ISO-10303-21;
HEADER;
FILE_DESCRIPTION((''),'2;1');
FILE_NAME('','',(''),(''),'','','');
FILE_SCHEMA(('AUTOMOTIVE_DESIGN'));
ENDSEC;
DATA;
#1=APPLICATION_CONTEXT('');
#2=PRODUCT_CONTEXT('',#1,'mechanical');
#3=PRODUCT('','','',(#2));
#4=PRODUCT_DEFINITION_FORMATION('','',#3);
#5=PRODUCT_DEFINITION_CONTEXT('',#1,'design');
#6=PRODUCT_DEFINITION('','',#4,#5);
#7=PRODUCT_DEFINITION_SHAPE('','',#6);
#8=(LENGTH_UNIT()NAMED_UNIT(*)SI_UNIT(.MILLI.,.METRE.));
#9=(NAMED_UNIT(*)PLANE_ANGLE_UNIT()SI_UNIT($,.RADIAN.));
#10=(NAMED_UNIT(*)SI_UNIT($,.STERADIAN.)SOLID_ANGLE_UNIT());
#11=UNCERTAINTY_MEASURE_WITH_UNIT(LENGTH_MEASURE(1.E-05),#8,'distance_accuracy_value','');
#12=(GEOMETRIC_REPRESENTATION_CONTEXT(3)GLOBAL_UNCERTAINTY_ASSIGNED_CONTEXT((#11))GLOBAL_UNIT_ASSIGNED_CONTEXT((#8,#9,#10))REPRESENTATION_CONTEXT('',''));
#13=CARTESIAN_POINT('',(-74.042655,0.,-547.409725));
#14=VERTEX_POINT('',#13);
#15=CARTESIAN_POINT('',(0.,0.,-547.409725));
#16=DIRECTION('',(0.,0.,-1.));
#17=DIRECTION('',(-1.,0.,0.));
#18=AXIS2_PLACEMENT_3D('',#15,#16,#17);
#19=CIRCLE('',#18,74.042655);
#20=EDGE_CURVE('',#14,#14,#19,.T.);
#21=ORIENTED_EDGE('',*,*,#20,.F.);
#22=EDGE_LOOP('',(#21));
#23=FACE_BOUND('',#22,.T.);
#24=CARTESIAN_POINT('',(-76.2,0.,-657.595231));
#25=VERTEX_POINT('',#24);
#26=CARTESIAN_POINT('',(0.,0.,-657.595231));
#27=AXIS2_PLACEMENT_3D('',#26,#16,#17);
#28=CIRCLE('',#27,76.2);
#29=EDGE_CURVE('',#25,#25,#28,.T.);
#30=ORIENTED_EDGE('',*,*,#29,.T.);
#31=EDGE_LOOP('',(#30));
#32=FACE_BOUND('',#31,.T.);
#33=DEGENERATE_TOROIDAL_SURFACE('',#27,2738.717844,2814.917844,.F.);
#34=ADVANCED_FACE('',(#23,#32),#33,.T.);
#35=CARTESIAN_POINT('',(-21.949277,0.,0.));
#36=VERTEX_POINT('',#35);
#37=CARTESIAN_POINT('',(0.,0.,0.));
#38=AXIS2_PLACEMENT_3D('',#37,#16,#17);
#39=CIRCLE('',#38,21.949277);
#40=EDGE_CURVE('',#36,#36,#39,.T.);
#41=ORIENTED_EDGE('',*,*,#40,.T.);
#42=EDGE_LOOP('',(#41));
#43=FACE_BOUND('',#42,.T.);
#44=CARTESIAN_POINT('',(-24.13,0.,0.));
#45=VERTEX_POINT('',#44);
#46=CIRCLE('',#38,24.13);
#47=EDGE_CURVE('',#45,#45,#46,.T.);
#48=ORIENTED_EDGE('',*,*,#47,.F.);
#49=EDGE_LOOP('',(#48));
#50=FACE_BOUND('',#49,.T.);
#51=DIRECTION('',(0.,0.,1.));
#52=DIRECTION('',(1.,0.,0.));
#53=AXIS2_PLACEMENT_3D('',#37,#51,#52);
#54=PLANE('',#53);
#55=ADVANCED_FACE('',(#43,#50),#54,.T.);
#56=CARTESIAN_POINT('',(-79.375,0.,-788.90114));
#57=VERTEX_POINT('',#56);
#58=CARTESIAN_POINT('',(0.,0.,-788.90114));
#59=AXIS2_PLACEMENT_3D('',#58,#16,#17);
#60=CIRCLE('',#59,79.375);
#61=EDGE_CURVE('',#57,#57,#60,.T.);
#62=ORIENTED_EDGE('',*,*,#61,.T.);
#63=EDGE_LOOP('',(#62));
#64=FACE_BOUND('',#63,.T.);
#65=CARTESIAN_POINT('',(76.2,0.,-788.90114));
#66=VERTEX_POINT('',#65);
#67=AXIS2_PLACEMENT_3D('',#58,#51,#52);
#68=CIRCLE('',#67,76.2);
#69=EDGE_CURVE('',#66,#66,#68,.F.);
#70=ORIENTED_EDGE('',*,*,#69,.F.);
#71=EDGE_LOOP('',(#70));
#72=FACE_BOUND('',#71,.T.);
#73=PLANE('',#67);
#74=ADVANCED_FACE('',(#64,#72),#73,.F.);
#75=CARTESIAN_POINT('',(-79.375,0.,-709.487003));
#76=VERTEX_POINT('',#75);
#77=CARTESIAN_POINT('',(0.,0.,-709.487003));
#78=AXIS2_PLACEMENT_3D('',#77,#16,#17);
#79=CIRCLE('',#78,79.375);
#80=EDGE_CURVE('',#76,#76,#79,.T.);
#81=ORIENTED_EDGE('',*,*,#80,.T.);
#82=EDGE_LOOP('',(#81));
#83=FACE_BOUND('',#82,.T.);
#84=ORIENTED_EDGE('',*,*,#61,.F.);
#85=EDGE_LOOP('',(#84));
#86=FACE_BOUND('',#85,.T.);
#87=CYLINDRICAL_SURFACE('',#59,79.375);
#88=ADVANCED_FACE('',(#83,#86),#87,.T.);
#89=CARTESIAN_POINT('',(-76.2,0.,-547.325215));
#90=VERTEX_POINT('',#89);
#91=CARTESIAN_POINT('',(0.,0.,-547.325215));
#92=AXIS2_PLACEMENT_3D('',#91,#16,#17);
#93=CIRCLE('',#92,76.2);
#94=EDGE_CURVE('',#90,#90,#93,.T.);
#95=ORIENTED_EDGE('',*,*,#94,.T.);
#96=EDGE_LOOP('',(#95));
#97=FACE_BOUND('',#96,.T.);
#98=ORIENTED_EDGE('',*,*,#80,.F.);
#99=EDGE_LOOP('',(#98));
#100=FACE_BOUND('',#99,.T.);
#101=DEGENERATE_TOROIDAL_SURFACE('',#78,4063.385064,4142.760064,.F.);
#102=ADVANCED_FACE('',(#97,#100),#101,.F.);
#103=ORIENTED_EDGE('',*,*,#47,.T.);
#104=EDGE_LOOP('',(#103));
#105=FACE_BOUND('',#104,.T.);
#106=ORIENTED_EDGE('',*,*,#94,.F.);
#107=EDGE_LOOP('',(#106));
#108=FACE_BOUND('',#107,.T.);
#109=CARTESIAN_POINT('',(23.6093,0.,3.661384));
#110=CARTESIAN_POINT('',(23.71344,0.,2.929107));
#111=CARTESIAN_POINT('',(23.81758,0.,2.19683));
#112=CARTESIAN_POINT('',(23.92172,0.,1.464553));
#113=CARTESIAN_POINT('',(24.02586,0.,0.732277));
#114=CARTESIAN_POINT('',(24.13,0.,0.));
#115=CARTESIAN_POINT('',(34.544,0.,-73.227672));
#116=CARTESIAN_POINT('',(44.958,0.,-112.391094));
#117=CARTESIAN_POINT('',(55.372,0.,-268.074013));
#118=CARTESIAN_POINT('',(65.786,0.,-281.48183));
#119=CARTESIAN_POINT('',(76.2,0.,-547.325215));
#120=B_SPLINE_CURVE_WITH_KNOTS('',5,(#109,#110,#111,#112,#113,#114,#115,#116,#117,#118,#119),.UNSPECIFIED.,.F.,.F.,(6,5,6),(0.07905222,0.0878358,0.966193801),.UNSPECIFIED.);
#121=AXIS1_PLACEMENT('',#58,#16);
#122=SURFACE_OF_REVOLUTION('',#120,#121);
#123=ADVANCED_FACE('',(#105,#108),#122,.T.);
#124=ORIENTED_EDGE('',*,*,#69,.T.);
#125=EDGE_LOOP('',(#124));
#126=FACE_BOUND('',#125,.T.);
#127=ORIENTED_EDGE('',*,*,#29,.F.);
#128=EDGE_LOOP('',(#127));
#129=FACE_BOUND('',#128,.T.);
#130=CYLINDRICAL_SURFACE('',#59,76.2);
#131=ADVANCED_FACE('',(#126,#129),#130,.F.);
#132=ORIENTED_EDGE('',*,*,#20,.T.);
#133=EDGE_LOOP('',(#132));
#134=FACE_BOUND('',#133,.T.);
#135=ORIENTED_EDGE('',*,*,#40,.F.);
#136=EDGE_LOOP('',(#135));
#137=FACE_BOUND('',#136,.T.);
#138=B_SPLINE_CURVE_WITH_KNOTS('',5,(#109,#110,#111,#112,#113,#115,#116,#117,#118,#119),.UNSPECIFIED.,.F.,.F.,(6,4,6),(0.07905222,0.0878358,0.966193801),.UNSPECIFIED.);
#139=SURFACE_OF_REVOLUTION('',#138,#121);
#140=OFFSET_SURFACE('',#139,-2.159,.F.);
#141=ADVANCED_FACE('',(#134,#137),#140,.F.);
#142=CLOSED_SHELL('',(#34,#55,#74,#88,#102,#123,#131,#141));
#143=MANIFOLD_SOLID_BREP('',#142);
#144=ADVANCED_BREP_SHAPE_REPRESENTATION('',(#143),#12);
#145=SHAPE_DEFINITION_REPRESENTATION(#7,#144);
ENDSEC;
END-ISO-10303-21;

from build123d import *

# Parameters (mm, degrees)
SHELL1_T = -2.159


with BuildPart() as part:
    # Sketch1 → Revolve1 (revolve)
    with BuildSketch(Plane(origin=(0, 0, 0), x_dir=(1, 0, 0), z_dir=(0, 1, 0)), mode=Mode.PRIVATE) as revolve1_sk:
        with BuildLine():
            ThreePointArc((76.199999999, 547.325214574), (77.819198282, 602.449655946), (78.359, 657.595231051))
            Line((78.359, 657.595231051), (78.359, 788.90114))
            Line((78.359, 788.90114), (0, 788.90114))
            Line((0, 788.90114), (0, 64.584297407))
            Line((0, 64.584297407), (31.75, 64.584297407))
            Line((31.75, 64.584297407), (33.885466684, 64.266393269))
            add(Edge.make_bspline(
                [(33.885466684, 64.266393269), (42.348373346, 121.114521501), (50.811280009, 187.507732985), (59.274186672, 281.958770773), (67.737093334, 331.288364803), (76.199999999, 547.325214574)],
                knots=[0.252398739, 0.252398739, 0.252398739, 0.252398739, 0.252398739, 0.252398739, 0.966193801, 0.966193801, 0.966193801, 0.966193801, 0.966193801, 0.966193801], degree=5))
        make_face()
        with BuildLine():
            add(Edge.make_bspline(
                [(24.130000001, 1e-09), (26.081093337, 13.719418368), (28.032186674, 26.243143495), (29.983280011, 38.561458819), (31.934373347, 51.160257443), (33.885466684, 64.266393269)],
                knots=[0.0878358, 0.0878358, 0.0878358, 0.0878358, 0.0878358, 0.0878358, 0.252398739, 0.252398739, 0.252398739, 0.252398739, 0.252398739, 0.252398739], degree=5))
            Line((33.885466684, 64.266393269), (31.75, 64.584297407))
            Line((31.75, 64.584297407), (0, 64.584297407))
            Line((0, 64.584297407), (0, 0))
            Line((0, 0), (24.13, 0))
        make_face()
    revolve(revolve1_sk.sketch.rotate(Axis((0, 0, -788.90114), (0, 0, 1)), 180), axis=Axis((0, 0, -788.90114), (0, 0, 1)))

    # Shell1
    shell1_openings = [part.faces().sort_by_distance(p)[0] for p in [
        (0, 0, -788.90114),
        (0, 0, 0),
    ]]
    offset(amount=SHELL1_T, openings=shell1_openings, kind=Kind.INTERSECTION)

    # Sketch2 → Revolve2 (revolve)
    with BuildSketch(Plane(origin=(0, 0, 0), x_dir=(1, 0, 0), z_dir=(0, 1, 0)), mode=Mode.PRIVATE) as revolve2_sk:
        with BuildLine():
            ThreePointArc((76.199999999, 547.325214574), (77.819198282, 602.449655945), (78.359, 657.595231051))
            Line((78.359, 657.595231051), (78.359, 788.90114))
            Line((78.359, 788.90114), (79.375, 788.90114))
            Line((79.375, 788.90114), (79.375, 709.487003497))
            ThreePointArc((79.375, 709.487003497), (78.581173944, 628.390569525), (76.199999999, 547.325214574))
        make_face()
    revolve(revolve2_sk.sketch.rotate(Axis((0, 0, -788.90114), (0, 0, 1)), 180), axis=Axis((0, 0, -788.90114), (0, 0, 1)))


solid = part.part
